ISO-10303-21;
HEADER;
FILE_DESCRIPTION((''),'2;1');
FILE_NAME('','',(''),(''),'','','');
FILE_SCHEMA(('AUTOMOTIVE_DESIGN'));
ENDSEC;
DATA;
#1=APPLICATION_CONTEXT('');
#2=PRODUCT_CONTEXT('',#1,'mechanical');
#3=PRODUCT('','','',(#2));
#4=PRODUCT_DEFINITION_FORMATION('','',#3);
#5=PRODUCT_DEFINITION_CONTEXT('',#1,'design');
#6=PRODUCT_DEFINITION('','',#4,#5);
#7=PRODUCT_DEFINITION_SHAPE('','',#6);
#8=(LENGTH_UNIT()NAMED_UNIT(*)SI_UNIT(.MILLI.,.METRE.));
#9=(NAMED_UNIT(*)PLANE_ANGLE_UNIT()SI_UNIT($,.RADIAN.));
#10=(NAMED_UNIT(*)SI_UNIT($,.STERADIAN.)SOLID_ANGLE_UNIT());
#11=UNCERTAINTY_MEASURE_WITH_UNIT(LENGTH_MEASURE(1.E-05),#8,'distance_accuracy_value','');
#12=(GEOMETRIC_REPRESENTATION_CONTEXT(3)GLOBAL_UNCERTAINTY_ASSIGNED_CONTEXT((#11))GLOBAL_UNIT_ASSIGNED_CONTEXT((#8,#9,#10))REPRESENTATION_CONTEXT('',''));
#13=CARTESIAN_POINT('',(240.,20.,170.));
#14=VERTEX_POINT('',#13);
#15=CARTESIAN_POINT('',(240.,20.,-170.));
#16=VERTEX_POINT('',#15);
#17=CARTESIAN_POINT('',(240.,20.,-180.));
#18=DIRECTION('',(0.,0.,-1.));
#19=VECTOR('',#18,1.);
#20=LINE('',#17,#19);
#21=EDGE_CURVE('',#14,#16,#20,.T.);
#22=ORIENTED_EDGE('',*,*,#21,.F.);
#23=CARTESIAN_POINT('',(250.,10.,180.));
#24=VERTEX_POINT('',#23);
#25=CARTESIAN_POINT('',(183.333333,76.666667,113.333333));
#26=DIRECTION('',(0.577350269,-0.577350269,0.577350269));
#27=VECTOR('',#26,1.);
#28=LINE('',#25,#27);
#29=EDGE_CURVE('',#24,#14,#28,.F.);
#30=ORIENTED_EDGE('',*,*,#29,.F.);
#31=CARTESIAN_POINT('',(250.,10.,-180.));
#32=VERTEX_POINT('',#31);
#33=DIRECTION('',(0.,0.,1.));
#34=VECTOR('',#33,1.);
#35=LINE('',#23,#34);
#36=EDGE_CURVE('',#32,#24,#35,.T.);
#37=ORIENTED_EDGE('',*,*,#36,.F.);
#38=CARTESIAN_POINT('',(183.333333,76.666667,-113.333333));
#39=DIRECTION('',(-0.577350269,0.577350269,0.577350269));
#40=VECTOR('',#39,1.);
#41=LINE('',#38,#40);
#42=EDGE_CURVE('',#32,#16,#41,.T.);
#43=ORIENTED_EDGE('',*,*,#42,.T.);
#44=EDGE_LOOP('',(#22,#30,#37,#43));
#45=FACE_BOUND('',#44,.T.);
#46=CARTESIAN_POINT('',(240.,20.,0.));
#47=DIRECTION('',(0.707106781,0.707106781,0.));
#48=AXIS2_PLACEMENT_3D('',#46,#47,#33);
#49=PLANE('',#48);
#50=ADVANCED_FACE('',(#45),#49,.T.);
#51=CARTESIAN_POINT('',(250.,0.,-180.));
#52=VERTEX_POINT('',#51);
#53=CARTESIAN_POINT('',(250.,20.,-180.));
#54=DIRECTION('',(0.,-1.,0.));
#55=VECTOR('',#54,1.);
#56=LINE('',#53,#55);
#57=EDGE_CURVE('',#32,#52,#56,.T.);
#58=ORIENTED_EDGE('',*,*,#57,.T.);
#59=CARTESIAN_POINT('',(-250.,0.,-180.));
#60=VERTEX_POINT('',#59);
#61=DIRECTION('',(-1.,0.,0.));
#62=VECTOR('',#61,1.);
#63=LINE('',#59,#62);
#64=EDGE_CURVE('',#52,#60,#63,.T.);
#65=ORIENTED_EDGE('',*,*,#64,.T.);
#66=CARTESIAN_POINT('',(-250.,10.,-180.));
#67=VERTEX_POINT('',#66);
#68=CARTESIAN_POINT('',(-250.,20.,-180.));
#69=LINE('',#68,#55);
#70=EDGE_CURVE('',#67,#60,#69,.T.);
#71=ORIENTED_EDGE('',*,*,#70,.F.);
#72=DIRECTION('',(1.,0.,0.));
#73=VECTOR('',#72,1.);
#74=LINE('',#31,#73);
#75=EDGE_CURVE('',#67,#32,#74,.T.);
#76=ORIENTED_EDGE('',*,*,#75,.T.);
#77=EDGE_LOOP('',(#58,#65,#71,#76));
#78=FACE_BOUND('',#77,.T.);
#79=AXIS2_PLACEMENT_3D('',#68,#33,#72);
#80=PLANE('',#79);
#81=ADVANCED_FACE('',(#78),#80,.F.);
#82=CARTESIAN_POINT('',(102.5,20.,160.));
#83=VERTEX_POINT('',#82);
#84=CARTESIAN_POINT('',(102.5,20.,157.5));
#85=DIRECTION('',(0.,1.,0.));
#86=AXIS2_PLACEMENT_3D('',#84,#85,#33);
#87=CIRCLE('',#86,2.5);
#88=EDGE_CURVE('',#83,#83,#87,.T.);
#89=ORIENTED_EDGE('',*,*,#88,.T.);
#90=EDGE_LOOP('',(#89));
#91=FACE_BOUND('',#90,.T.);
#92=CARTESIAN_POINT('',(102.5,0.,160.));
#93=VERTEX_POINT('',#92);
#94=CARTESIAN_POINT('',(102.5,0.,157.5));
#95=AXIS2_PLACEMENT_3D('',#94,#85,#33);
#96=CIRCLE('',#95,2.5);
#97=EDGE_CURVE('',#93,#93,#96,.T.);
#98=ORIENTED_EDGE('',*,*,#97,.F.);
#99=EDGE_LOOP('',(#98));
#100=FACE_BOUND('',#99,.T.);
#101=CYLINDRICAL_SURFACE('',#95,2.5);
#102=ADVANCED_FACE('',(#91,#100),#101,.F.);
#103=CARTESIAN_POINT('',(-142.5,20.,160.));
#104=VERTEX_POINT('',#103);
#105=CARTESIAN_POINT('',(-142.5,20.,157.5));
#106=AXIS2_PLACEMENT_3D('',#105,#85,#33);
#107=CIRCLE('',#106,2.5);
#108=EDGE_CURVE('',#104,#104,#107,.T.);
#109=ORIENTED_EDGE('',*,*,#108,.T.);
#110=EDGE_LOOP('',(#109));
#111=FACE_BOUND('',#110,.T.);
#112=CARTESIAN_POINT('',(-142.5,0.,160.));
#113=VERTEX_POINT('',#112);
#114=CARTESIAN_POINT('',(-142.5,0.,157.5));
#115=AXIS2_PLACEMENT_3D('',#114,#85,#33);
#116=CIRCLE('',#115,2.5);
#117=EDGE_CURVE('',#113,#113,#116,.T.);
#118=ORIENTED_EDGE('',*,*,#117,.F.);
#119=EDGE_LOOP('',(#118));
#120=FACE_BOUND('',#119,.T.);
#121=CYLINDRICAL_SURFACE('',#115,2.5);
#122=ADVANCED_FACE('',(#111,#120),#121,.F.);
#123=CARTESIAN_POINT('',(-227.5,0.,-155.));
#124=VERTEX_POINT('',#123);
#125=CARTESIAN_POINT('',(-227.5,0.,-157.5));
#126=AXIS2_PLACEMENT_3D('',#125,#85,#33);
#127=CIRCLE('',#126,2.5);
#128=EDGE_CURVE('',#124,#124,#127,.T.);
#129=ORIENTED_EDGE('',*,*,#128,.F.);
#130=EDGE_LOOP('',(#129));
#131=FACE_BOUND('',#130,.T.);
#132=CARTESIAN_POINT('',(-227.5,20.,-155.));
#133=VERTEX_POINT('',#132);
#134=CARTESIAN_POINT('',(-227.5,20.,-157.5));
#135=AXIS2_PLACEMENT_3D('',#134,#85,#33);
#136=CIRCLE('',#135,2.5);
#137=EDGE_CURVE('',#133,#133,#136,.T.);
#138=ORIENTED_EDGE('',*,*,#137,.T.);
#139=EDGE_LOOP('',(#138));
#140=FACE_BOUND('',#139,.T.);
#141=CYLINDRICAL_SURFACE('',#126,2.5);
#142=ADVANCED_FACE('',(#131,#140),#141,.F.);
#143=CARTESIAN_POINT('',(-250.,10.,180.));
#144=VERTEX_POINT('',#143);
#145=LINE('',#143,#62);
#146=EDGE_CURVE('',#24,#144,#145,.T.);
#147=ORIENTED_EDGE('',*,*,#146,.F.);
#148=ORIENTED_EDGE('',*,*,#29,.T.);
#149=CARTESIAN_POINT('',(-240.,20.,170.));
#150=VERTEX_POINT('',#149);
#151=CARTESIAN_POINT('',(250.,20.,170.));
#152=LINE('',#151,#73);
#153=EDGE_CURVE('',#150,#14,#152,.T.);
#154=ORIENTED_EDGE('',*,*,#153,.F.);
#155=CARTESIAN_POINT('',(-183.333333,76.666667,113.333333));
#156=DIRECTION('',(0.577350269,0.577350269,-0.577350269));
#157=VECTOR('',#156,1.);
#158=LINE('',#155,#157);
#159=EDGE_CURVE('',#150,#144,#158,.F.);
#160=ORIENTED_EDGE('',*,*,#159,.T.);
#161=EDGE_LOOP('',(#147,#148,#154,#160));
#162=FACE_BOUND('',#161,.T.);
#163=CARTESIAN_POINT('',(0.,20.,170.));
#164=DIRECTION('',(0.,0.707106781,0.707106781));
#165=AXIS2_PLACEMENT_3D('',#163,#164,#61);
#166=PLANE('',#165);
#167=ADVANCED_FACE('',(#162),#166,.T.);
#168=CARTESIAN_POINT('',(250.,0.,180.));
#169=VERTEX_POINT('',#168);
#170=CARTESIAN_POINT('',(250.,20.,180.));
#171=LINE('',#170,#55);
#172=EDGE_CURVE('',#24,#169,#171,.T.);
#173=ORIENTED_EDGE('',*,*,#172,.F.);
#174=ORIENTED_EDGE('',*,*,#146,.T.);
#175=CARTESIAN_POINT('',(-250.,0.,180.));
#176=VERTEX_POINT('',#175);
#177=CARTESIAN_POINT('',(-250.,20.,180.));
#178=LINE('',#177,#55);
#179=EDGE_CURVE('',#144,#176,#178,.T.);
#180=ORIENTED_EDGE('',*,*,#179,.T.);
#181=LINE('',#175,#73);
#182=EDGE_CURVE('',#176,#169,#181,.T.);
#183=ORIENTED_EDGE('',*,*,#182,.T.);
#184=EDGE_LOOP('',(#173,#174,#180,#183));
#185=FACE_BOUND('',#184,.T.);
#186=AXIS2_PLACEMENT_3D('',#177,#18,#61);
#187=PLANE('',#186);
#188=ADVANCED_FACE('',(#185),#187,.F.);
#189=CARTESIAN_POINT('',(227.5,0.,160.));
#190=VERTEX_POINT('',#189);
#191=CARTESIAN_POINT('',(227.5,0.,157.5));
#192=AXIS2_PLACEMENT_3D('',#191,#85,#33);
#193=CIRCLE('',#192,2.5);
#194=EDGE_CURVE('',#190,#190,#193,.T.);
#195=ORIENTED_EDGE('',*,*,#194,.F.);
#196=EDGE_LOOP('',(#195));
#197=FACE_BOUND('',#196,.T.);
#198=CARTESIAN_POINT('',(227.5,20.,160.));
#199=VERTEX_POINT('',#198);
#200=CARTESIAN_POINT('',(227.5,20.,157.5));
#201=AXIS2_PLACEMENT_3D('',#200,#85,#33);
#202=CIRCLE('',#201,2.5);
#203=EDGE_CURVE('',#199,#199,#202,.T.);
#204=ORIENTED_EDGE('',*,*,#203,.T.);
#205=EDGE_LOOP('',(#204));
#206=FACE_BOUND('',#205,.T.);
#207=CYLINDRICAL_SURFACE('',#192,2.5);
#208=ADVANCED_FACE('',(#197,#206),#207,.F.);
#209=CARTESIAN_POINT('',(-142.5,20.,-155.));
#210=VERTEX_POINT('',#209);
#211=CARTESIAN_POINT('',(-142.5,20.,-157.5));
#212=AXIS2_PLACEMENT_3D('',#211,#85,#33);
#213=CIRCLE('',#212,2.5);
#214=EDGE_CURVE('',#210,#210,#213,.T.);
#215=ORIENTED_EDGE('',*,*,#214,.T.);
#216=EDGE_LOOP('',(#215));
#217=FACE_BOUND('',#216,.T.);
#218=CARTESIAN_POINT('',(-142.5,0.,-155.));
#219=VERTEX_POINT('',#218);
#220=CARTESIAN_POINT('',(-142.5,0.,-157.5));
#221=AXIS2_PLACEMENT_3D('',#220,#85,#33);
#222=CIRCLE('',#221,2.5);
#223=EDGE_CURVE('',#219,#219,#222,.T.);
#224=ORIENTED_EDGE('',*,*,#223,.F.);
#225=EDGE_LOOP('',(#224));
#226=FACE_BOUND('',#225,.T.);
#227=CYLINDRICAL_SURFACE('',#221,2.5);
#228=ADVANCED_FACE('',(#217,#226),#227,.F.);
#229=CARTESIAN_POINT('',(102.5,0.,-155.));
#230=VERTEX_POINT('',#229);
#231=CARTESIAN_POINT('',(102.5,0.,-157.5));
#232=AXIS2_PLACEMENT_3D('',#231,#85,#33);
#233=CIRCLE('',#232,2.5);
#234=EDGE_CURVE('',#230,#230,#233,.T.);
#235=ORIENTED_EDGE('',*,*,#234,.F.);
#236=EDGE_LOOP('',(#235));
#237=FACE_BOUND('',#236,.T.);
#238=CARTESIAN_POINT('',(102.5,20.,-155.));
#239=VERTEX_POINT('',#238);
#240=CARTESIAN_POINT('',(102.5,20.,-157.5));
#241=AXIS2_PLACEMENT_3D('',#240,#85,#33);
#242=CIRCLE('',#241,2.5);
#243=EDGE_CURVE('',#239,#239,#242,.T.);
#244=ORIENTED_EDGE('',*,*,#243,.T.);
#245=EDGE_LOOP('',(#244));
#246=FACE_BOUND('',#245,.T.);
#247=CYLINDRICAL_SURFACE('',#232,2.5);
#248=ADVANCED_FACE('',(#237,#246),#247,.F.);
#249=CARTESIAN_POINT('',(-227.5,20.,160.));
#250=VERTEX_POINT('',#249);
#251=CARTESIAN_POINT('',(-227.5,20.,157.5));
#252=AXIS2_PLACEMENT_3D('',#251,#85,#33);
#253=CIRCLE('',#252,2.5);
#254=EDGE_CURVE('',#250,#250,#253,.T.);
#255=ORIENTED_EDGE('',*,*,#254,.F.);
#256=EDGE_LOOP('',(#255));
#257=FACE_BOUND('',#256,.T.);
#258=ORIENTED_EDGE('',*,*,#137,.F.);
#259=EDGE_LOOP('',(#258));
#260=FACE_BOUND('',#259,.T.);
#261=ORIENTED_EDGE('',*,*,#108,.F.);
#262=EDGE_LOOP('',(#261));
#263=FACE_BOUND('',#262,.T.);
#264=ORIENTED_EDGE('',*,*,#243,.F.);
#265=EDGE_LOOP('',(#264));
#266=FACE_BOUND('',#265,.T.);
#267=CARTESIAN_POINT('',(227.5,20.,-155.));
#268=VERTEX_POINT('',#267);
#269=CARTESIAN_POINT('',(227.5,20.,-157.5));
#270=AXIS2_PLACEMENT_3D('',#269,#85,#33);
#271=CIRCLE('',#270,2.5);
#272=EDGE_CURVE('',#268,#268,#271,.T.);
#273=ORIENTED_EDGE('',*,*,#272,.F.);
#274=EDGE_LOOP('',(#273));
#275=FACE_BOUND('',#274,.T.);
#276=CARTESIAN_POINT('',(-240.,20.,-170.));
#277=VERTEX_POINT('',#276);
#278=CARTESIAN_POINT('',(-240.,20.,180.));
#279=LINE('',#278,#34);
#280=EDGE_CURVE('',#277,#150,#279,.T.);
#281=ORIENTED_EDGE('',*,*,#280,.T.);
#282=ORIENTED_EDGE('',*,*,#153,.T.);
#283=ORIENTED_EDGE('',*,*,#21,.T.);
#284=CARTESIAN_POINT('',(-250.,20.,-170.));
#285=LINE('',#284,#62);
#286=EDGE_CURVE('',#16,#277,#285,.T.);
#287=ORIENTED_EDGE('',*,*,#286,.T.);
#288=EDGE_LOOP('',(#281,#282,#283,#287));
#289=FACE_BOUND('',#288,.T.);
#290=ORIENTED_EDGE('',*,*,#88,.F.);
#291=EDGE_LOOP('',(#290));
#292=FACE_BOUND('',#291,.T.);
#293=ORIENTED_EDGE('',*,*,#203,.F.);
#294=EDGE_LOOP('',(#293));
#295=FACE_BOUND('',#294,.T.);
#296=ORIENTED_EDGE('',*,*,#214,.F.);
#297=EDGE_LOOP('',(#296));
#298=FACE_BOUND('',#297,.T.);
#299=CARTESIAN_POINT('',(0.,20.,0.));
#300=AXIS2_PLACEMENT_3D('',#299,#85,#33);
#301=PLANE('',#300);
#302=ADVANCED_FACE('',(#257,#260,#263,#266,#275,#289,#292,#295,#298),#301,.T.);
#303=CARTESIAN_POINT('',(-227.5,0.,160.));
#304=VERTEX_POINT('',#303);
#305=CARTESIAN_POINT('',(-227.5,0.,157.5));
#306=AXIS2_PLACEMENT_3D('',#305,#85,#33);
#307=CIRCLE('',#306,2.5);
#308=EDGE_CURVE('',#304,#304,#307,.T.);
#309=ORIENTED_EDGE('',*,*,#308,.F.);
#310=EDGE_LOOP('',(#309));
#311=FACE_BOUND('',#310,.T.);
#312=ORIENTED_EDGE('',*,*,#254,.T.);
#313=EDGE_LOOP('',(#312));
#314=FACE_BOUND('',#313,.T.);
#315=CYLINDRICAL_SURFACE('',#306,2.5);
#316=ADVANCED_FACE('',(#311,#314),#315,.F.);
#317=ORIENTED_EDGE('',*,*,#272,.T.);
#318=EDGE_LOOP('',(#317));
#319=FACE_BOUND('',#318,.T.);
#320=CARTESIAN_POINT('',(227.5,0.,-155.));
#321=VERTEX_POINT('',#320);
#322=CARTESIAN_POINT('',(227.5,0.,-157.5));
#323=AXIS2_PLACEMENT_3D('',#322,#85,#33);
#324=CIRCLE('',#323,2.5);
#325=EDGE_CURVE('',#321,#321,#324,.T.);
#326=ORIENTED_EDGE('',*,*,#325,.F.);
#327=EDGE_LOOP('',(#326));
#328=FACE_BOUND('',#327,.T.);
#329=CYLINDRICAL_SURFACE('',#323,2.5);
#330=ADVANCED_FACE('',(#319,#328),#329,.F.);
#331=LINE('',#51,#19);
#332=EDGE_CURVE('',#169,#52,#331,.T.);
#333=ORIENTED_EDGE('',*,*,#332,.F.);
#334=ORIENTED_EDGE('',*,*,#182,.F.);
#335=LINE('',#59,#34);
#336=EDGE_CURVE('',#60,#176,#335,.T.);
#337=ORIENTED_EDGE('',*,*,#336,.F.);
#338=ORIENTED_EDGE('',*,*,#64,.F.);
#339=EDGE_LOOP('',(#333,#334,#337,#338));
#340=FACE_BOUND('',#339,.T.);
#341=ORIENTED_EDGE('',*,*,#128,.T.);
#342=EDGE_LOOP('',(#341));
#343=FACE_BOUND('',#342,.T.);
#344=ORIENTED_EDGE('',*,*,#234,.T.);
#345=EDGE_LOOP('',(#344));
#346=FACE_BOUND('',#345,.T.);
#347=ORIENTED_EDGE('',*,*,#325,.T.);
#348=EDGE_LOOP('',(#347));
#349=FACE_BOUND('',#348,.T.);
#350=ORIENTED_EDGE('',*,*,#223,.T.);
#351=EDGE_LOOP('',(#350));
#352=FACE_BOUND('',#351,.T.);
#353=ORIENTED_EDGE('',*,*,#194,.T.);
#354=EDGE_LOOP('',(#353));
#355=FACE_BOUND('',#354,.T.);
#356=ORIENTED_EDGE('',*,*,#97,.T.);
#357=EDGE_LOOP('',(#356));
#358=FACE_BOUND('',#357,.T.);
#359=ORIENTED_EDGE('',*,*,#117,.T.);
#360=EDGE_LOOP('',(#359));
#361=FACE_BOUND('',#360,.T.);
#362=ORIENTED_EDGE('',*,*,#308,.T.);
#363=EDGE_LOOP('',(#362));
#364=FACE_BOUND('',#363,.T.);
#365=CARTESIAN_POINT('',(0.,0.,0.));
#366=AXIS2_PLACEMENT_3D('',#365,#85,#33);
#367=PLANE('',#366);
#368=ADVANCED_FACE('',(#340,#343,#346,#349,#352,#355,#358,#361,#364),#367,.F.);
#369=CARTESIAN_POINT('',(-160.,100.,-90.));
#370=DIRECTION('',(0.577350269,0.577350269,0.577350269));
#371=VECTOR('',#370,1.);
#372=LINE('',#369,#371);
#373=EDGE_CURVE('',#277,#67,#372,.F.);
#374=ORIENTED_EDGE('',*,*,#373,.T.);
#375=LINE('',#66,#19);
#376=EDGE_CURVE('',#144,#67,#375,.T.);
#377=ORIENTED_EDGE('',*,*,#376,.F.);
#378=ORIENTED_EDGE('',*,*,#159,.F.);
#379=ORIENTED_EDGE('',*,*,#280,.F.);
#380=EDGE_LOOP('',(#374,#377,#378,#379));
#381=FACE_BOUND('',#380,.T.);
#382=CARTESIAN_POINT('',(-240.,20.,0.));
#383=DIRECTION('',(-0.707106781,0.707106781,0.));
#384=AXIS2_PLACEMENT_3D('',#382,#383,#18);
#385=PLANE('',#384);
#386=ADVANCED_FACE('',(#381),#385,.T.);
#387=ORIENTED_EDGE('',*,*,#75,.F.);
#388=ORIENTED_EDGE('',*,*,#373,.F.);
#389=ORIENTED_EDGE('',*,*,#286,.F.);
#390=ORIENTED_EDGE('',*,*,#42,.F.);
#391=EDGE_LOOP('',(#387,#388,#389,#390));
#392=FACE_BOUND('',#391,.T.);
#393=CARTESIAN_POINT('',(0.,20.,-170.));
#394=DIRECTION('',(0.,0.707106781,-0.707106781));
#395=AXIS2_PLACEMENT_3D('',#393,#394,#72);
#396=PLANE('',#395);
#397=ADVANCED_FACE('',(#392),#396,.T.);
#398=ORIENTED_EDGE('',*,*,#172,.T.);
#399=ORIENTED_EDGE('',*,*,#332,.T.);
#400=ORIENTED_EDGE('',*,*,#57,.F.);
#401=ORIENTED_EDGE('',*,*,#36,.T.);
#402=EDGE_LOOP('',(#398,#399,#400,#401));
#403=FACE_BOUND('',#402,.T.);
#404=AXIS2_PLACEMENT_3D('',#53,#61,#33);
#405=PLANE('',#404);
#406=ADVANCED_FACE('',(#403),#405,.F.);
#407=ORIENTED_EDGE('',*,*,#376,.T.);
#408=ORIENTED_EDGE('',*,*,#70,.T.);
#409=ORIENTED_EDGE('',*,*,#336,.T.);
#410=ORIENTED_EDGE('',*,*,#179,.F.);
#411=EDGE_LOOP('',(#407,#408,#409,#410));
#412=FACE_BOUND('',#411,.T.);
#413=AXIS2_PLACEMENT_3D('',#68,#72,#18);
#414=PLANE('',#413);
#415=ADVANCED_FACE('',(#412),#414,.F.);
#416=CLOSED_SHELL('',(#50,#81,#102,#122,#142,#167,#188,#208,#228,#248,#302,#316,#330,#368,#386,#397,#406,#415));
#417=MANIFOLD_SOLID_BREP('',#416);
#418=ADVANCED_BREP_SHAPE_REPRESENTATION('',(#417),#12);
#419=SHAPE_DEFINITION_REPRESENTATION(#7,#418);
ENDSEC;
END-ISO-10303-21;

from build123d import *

# Parameters (mm, degrees)
SKIZZE1_W                       = 500
SKIZZE1_H                       = 360
AUFSATZ_LINEAR_AUSTRAGEN1_DEPTH = 20
FASE1_SIZE                      = 10
SKIZZE2_R                       = 2.5
SCHNITT_LINEAR_AUSTRAGEN1_DEPTH = 309.706980809


with BuildPart() as part:
    # Skizze1 → Aufsatz-Linear austragen1 (new body)
    with BuildSketch(Plane(origin=(0, 0, 0), x_dir=(1, 0, 0), z_dir=(0, 1, 0))):
        Rectangle(SKIZZE1_W, SKIZZE1_H)
    extrude(amount=AUFSATZ_LINEAR_AUSTRAGEN1_DEPTH)

    # Fase1
    fase1_edges = [part.edges().sort_by_distance(p)[0] for p in [
        (-250, 20, 0),
        (0, 20, 180),
        (250, 20, 0),
        (0, 20, -180),
    ]]
    chamfer(fase1_edges, length=FASE1_SIZE)

    # Skizze2 → Schnitt-Linear austragen1 (cut, through all)
    with BuildSketch(Plane(origin=(0, 20, 0), x_dir=(1, 0, 0), z_dir=(0, 1, 0))):
        with Locations(Location((-227.5, -157.5, 0), (0, 0, 270))):
            Circle(SKIZZE2_R)
        with Locations(Location((-142.5, -157.5, 0), (0, 0, 270))):
            Circle(SKIZZE2_R)
        with Locations(Location((102.5, -157.5, 0), (0, 0, 270))):
            Circle(SKIZZE2_R)
        with Locations(Location((227.5, -157.5, 0), (0, 0, 270))):
            Circle(SKIZZE2_R)
        with Locations(Location((-227.5, 157.5, 0), (0, 0, 270))):
            Circle(SKIZZE2_R)
        with Locations(Location((-142.5, 157.5, 0), (0, 0, 270))):
            Circle(SKIZZE2_R)
        with Locations(Location((102.5, 157.5, 0), (0, 0, 270))):
            Circle(SKIZZE2_R)
        with Locations(Location((227.5, 157.5, 0), (0, 0, 270))):
            Circle(SKIZZE2_R)
    extrude(amount=-SCHNITT_LINEAR_AUSTRAGEN1_DEPTH, mode=Mode.SUBTRACT)


solid = part.part
